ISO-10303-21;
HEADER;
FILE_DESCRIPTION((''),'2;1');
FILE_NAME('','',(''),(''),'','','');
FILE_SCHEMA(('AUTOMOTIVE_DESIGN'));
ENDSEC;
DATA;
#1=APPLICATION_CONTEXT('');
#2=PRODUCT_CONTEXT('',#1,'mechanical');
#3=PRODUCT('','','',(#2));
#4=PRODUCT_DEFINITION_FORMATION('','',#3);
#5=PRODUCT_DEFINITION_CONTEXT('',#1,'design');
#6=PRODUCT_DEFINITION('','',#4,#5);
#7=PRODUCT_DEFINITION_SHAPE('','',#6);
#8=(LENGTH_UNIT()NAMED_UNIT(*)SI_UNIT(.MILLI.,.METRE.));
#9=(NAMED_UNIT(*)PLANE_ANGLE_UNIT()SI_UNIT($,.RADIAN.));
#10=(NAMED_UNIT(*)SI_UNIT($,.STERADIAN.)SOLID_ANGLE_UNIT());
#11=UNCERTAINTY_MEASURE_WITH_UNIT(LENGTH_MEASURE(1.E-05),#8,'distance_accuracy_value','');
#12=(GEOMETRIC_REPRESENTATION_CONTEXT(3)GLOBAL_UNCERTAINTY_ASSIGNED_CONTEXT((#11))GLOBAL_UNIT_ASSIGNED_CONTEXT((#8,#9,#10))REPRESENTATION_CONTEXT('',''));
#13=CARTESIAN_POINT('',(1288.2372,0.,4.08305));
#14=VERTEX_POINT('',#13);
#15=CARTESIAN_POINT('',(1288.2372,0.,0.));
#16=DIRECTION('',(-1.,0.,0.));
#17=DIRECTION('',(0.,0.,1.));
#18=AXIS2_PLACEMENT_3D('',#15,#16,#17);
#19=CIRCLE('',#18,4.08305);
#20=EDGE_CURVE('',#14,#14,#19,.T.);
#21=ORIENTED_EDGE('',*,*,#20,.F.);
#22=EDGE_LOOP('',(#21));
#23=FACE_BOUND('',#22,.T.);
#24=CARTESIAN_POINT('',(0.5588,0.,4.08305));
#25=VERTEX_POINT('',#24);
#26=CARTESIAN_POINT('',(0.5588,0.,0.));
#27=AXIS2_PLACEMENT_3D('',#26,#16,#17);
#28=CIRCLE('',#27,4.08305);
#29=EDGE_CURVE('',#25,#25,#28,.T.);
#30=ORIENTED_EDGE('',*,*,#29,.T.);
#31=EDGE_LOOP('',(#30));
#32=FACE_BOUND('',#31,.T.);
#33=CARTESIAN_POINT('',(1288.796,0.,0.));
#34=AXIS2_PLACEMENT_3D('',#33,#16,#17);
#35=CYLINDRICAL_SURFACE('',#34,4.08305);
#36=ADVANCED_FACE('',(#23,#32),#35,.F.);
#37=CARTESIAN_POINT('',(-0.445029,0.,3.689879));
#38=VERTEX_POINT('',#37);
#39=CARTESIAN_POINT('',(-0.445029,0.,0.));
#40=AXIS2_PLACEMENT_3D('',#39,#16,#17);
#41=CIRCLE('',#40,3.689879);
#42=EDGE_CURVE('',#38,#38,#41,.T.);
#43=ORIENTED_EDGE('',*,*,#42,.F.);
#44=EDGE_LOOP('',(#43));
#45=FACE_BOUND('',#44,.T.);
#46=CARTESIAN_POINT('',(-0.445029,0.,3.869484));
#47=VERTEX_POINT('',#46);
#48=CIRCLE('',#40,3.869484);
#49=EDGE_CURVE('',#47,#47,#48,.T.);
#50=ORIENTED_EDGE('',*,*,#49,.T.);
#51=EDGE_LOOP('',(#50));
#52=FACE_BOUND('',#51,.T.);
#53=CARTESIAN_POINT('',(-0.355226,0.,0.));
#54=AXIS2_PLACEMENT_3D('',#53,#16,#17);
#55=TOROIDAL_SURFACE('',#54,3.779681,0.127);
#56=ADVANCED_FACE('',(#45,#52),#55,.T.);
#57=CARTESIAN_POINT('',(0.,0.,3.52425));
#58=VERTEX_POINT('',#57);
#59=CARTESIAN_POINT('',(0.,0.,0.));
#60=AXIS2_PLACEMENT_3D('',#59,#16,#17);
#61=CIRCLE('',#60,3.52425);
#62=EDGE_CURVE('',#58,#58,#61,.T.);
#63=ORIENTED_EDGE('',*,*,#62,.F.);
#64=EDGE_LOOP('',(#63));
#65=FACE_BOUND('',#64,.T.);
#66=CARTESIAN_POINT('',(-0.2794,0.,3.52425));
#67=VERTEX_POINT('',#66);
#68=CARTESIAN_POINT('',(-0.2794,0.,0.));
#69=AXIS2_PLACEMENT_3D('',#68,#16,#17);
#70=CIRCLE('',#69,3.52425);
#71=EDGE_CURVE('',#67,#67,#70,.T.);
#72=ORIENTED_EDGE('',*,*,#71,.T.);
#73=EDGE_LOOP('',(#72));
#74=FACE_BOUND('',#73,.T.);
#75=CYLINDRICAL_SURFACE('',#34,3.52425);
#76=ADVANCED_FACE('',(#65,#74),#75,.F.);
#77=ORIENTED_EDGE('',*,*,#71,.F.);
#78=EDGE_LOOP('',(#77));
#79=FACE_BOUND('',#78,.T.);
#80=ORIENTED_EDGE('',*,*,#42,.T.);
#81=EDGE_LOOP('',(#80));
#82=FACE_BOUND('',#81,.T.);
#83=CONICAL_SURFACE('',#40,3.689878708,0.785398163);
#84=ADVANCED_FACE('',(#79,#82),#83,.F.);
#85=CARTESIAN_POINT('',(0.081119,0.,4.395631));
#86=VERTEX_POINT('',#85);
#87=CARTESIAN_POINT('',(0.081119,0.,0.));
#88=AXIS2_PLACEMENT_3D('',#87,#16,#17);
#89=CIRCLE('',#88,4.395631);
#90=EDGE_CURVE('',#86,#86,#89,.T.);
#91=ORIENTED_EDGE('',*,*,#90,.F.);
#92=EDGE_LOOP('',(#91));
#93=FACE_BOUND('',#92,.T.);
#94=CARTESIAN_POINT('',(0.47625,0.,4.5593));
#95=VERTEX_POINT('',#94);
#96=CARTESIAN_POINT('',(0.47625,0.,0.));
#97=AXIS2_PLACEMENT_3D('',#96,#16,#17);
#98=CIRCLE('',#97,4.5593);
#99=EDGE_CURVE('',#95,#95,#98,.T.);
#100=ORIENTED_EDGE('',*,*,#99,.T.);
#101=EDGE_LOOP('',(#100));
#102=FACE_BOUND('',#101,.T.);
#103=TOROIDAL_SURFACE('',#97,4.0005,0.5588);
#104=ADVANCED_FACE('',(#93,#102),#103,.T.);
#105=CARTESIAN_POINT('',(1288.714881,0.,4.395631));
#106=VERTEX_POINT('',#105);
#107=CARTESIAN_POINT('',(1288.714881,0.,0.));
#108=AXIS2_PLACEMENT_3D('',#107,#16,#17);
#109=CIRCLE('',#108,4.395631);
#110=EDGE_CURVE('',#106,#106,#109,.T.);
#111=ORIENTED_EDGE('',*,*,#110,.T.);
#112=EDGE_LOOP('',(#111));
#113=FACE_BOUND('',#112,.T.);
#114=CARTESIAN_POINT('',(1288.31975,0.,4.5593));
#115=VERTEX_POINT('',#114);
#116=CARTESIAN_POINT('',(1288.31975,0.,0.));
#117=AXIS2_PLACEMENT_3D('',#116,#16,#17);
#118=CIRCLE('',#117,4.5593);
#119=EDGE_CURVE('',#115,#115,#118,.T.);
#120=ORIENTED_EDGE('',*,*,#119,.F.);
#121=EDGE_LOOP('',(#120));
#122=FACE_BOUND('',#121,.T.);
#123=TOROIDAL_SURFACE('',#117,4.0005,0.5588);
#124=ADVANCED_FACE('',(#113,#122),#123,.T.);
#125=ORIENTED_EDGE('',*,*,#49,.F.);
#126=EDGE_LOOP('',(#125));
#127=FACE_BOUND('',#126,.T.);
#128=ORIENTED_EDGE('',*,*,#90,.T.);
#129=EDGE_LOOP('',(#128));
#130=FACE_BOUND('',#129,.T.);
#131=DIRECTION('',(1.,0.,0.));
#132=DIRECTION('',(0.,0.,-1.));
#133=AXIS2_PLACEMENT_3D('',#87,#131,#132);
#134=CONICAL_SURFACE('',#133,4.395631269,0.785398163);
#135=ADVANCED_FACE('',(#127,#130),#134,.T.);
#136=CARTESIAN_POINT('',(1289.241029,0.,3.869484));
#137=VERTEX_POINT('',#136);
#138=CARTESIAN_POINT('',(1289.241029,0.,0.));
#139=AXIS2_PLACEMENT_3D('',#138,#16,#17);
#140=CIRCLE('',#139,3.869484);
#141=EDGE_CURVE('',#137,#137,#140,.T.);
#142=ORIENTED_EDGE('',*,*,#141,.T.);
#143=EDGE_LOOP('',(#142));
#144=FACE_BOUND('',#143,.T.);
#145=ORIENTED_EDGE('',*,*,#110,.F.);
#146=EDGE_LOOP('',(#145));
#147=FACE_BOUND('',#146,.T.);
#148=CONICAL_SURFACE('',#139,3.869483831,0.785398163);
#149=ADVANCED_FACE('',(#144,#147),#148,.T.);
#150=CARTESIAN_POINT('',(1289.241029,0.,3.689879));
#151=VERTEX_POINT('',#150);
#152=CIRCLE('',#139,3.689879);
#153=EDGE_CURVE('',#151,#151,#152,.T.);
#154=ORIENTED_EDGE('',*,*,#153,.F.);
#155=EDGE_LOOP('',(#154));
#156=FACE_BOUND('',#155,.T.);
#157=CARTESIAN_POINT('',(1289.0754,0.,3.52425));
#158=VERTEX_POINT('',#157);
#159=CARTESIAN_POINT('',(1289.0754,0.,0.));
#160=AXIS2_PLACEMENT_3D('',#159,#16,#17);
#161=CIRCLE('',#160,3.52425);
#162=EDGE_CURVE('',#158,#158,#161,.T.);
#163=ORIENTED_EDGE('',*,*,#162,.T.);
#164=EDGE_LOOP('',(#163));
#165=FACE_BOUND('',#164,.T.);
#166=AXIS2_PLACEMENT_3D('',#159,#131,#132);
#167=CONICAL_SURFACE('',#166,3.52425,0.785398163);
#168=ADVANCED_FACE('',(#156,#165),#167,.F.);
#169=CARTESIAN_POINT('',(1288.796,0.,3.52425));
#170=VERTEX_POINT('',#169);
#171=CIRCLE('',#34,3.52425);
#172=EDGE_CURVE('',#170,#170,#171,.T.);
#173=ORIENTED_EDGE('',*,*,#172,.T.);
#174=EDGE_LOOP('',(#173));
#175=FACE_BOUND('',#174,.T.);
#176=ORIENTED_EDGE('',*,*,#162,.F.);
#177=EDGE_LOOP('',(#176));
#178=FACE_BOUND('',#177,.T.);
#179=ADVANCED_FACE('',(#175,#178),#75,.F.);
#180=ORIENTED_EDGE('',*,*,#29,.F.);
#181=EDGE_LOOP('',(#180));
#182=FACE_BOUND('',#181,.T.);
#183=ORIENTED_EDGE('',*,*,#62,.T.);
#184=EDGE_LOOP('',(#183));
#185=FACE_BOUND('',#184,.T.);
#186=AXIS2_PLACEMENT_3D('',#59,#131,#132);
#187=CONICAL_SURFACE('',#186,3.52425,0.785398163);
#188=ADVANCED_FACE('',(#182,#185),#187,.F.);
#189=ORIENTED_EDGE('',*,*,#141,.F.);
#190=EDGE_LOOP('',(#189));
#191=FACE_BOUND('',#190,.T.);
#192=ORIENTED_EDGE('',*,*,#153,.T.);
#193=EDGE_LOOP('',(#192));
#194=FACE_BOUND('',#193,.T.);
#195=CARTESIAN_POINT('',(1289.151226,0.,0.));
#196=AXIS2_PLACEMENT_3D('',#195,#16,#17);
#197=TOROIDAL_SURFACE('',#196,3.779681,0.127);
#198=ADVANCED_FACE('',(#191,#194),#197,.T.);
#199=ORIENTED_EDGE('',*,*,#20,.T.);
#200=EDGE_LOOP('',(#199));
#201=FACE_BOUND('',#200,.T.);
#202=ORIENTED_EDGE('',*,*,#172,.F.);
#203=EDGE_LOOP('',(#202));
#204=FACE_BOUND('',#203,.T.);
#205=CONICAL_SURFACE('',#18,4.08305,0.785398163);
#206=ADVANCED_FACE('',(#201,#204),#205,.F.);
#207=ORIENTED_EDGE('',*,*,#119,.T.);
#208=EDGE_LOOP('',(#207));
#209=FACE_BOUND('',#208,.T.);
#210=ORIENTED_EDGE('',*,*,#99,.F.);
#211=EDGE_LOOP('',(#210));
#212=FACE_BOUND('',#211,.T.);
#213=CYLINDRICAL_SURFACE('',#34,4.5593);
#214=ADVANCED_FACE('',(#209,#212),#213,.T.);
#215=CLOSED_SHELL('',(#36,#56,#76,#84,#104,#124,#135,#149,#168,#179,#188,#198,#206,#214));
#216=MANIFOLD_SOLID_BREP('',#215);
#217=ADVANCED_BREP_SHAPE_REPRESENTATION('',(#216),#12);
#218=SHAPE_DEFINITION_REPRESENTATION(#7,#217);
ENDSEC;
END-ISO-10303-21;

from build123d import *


with BuildPart() as part:
    # Sketch1 → Revolve1 (revolve)
    with BuildSketch(Plane.XY):
        with BuildLine():
            Line((-0.445028708, 3.689878708), (-0.2794, 3.52425))
            Line((-0.2794, 3.52425), (0, 3.52425))
            Line((0, 3.52425), (0.5588, 4.08305))
            Line((0.5588, 4.08305), (1288.2372, 4.08305))
            Line((1288.2372, 4.08305), (1288.796, 3.52425))
            Line((1288.796, 3.52425), (1289.0754, 3.52425))
            Line((1289.0754, 3.52425), (1289.241028708, 3.689878708))
            ThreePointArc((1289.241028708, 3.689878708), (1289.278226147, 3.779681269), (1289.241028708, 3.869483831))
            Line((1289.241028708, 3.869483831), (1288.714881269, 4.395631269))
            ThreePointArc((1288.714881269, 4.395631269), (1288.533593502, 4.516763883), (1288.31975, 4.5593))
            Line((1288.31975, 4.5593), (0.47625, 4.5593))
            ThreePointArc((0.47625, 4.5593), (0.262406498, 4.516763883), (0.081118731, 4.395631269))
            Line((0.081118731, 4.395631269), (-0.445028708, 3.869483831))
            ThreePointArc((-0.445028708, 3.869483831), (-0.482226147, 3.779681269), (-0.445028708, 3.689878708))
        make_face()
    revolve(axis=Axis((1288.796, 0, 0), (-1, 0, 0)))


solid = part.part
